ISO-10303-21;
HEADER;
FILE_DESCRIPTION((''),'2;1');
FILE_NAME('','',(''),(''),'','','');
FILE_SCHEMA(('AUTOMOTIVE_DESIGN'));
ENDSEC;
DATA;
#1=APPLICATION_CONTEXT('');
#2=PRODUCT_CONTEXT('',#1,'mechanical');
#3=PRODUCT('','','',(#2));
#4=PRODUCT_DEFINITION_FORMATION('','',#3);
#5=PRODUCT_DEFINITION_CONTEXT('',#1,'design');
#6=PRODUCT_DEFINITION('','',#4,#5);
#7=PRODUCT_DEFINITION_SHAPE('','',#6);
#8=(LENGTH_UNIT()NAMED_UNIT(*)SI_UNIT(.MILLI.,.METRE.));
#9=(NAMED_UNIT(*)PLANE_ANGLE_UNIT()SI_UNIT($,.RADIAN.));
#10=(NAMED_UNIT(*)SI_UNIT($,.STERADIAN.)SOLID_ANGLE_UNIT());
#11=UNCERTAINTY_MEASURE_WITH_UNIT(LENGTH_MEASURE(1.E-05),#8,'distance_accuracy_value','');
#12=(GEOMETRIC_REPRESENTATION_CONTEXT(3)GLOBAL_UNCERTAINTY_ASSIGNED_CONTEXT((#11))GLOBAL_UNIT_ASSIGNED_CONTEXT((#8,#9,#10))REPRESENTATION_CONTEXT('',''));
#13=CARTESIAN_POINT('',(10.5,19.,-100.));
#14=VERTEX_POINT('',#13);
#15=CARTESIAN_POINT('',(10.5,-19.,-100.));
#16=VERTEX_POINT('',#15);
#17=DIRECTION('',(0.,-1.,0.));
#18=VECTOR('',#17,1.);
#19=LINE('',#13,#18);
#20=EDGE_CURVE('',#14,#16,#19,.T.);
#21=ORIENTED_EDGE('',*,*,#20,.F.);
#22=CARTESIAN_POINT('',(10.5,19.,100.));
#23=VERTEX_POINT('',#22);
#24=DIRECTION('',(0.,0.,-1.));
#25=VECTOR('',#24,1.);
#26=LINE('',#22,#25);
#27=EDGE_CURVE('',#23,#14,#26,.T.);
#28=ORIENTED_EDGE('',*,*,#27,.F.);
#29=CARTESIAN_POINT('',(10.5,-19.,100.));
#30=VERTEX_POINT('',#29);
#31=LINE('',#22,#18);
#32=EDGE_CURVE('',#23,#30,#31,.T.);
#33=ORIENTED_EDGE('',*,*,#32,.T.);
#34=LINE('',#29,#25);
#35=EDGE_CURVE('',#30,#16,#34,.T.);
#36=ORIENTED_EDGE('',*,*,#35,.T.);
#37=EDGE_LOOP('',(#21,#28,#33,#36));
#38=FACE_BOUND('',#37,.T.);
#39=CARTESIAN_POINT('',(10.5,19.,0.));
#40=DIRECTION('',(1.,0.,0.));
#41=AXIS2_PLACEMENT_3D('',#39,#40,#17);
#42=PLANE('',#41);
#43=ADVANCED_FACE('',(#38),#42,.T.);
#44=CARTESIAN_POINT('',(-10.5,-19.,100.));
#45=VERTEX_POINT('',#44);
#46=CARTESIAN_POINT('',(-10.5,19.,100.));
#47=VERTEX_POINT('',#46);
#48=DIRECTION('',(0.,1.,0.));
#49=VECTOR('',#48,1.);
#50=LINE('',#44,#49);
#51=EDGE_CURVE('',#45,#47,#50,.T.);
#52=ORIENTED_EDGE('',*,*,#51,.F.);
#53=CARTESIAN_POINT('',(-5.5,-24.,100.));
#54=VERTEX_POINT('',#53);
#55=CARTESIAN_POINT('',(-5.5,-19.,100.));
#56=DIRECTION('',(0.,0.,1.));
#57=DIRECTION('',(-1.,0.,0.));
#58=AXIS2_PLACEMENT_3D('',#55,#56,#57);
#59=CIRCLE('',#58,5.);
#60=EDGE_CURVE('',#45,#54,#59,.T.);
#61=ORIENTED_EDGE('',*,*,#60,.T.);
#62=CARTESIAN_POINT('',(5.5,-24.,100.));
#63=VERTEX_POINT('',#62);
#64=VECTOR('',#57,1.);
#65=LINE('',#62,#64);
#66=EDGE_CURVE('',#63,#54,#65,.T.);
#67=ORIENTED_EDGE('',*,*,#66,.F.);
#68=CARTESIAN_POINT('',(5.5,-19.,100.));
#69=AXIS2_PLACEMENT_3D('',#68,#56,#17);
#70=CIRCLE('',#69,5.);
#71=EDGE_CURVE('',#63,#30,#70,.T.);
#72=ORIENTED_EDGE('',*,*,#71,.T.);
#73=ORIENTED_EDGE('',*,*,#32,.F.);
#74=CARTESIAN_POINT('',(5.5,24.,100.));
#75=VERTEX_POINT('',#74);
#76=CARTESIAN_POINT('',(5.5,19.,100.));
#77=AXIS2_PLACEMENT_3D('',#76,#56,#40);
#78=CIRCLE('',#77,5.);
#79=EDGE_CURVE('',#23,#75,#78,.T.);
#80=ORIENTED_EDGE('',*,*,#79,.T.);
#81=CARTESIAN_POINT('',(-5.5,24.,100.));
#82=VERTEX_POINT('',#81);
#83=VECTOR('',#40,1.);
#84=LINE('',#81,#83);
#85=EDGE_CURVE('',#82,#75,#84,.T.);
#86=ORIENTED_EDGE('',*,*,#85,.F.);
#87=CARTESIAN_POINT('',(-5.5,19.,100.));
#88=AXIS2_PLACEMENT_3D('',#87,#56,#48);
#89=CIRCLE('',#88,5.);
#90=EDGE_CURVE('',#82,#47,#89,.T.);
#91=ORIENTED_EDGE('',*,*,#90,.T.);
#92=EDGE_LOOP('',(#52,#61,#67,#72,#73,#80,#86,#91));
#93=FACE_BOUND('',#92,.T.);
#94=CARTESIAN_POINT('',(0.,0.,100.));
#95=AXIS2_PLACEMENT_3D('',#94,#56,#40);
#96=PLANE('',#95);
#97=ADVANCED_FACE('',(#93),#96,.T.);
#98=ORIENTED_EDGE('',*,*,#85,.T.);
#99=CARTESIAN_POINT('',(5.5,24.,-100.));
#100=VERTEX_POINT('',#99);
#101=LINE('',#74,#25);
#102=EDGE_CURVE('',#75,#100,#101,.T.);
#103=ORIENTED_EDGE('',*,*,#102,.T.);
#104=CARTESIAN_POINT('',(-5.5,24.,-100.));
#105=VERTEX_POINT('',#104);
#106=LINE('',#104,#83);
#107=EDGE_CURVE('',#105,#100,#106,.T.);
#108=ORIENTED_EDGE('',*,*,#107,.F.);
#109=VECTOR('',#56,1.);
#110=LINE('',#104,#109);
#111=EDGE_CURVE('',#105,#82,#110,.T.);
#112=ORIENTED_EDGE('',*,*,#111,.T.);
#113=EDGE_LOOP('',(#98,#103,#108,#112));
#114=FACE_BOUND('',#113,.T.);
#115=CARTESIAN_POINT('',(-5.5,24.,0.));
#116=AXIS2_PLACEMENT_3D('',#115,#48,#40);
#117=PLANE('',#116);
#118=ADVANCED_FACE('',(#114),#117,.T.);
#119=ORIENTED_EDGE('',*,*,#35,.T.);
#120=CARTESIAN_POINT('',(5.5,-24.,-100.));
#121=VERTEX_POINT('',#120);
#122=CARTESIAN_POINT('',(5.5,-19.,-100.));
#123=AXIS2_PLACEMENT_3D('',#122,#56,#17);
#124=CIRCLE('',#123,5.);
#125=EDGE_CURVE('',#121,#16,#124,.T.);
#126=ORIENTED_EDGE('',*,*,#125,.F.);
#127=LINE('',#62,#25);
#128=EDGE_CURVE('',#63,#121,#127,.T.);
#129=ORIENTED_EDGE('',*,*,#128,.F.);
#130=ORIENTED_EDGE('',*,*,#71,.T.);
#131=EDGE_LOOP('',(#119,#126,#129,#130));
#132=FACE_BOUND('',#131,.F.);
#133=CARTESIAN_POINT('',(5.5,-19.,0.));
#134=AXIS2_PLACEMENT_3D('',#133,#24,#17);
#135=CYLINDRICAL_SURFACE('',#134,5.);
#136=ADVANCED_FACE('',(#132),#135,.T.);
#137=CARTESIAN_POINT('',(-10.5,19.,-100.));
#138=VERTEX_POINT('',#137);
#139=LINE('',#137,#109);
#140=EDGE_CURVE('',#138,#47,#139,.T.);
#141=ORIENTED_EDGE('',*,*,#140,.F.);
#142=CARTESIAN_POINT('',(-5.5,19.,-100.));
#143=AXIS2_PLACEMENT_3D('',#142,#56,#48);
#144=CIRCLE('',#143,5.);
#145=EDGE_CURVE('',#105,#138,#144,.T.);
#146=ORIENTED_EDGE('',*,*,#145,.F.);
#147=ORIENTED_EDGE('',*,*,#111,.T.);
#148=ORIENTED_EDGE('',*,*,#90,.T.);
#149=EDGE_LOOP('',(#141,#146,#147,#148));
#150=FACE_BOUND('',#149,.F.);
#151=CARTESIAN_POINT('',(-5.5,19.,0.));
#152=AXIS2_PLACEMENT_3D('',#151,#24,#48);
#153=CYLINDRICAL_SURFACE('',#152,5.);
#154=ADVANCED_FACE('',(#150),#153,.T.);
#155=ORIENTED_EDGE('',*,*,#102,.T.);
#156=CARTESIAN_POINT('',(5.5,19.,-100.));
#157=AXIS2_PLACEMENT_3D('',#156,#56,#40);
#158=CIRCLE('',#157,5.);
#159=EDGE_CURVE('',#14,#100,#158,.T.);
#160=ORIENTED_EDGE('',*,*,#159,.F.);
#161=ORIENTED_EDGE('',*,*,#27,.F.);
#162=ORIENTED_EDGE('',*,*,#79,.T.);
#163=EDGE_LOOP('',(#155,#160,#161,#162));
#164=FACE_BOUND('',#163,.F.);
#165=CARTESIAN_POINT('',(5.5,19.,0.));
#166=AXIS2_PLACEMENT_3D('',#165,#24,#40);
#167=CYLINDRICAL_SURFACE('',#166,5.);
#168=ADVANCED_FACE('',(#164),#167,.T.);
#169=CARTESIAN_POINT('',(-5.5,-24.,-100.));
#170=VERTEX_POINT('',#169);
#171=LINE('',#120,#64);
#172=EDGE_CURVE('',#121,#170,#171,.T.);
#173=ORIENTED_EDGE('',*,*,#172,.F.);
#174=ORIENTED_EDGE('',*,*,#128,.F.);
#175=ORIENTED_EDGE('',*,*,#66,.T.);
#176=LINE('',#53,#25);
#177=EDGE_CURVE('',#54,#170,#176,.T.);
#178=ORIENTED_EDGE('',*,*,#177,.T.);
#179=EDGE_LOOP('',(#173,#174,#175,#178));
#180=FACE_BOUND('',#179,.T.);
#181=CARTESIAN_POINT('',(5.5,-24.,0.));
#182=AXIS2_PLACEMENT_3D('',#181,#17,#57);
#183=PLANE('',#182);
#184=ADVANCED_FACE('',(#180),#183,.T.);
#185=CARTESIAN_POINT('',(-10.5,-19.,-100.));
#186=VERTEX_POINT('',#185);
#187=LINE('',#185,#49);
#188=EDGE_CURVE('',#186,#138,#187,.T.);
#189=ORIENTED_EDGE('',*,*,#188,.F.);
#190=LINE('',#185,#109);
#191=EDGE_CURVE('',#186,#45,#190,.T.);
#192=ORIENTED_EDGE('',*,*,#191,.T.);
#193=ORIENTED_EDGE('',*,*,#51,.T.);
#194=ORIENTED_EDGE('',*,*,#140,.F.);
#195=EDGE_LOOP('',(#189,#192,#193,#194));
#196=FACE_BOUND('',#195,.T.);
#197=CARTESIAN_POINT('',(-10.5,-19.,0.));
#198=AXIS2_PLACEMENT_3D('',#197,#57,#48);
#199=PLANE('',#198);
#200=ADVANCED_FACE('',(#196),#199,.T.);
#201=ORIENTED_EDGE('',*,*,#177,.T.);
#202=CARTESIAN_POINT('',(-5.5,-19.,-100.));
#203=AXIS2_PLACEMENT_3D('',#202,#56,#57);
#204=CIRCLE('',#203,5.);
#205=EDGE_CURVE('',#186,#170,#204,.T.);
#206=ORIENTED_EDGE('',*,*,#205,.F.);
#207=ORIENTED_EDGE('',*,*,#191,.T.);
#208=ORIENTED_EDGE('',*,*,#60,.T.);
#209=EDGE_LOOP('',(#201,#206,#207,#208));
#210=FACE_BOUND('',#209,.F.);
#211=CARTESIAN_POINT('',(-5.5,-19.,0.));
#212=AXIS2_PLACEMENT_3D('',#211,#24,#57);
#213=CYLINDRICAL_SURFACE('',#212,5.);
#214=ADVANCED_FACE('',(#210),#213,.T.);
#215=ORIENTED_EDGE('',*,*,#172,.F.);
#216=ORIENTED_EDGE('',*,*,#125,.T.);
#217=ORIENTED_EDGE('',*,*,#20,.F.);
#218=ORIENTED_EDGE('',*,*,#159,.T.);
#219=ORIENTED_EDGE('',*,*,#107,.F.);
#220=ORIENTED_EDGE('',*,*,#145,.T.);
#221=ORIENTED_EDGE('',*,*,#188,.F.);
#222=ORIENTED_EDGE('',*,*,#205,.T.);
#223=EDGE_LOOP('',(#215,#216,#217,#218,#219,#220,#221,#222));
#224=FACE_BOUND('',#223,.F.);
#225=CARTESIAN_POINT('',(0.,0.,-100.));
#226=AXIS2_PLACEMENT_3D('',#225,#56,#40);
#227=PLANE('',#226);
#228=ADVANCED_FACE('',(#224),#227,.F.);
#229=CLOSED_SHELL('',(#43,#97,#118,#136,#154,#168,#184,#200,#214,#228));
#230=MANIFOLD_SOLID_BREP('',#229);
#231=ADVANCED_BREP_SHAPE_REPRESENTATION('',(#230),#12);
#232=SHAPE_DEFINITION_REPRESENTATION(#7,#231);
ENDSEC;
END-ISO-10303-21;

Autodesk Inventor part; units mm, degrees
ref_plane "YZ Plane" through (0, 0, 0) normal (1, 0, 0) x (0, 1, 0)
ref_plane "XZ Plane" through (0, 0, 0) normal (0, 1, 0) x (-1, 0, 0)
ref_plane "XY Plane" through (0, 0, 0) normal (0, 0, 1) x (1, 0, 0)
sketch "Esboço1" plane through (0, 0, 0) normal (0, 0, 1) x (1, 0, 0)
  line L0 (-5.5, 24) -> (5.5, 24)
  line L1 (10.5, 19) -> (10.5, -19)
  line L2 (5.5, -24) -> (-5.5, -24)
  line L3 (-10.5, -19) -> (-10.5, 19)
  line L4 (-10.5, 24) -> (10.5, -24) construction
  line L5 (10.5, 24) -> (-10.5, -24) construction
  arc A0 (-5.5, 24) -> (-10.5, 19) centre (-5.5, 19) ccw
  arc A1 (10.5, 19) -> (5.5, 24) centre (5.5, 19) ccw
  arc A2 (5.5, -24) -> (10.5, -19) centre (5.5, -19) ccw
  arc A3 (-10.5, -19) -> (-5.5, -24) centre (-5.5, -19) ccw
  point P0 (0, 0)
  dimension "d0" = 21
  dimension "d1" = 48
  dimension "d2" = 5
extrude "Extrusão1" add sketch "Esboço1" along normal mid plane 200
properties part number "Ripas - Base - 200 mm"
